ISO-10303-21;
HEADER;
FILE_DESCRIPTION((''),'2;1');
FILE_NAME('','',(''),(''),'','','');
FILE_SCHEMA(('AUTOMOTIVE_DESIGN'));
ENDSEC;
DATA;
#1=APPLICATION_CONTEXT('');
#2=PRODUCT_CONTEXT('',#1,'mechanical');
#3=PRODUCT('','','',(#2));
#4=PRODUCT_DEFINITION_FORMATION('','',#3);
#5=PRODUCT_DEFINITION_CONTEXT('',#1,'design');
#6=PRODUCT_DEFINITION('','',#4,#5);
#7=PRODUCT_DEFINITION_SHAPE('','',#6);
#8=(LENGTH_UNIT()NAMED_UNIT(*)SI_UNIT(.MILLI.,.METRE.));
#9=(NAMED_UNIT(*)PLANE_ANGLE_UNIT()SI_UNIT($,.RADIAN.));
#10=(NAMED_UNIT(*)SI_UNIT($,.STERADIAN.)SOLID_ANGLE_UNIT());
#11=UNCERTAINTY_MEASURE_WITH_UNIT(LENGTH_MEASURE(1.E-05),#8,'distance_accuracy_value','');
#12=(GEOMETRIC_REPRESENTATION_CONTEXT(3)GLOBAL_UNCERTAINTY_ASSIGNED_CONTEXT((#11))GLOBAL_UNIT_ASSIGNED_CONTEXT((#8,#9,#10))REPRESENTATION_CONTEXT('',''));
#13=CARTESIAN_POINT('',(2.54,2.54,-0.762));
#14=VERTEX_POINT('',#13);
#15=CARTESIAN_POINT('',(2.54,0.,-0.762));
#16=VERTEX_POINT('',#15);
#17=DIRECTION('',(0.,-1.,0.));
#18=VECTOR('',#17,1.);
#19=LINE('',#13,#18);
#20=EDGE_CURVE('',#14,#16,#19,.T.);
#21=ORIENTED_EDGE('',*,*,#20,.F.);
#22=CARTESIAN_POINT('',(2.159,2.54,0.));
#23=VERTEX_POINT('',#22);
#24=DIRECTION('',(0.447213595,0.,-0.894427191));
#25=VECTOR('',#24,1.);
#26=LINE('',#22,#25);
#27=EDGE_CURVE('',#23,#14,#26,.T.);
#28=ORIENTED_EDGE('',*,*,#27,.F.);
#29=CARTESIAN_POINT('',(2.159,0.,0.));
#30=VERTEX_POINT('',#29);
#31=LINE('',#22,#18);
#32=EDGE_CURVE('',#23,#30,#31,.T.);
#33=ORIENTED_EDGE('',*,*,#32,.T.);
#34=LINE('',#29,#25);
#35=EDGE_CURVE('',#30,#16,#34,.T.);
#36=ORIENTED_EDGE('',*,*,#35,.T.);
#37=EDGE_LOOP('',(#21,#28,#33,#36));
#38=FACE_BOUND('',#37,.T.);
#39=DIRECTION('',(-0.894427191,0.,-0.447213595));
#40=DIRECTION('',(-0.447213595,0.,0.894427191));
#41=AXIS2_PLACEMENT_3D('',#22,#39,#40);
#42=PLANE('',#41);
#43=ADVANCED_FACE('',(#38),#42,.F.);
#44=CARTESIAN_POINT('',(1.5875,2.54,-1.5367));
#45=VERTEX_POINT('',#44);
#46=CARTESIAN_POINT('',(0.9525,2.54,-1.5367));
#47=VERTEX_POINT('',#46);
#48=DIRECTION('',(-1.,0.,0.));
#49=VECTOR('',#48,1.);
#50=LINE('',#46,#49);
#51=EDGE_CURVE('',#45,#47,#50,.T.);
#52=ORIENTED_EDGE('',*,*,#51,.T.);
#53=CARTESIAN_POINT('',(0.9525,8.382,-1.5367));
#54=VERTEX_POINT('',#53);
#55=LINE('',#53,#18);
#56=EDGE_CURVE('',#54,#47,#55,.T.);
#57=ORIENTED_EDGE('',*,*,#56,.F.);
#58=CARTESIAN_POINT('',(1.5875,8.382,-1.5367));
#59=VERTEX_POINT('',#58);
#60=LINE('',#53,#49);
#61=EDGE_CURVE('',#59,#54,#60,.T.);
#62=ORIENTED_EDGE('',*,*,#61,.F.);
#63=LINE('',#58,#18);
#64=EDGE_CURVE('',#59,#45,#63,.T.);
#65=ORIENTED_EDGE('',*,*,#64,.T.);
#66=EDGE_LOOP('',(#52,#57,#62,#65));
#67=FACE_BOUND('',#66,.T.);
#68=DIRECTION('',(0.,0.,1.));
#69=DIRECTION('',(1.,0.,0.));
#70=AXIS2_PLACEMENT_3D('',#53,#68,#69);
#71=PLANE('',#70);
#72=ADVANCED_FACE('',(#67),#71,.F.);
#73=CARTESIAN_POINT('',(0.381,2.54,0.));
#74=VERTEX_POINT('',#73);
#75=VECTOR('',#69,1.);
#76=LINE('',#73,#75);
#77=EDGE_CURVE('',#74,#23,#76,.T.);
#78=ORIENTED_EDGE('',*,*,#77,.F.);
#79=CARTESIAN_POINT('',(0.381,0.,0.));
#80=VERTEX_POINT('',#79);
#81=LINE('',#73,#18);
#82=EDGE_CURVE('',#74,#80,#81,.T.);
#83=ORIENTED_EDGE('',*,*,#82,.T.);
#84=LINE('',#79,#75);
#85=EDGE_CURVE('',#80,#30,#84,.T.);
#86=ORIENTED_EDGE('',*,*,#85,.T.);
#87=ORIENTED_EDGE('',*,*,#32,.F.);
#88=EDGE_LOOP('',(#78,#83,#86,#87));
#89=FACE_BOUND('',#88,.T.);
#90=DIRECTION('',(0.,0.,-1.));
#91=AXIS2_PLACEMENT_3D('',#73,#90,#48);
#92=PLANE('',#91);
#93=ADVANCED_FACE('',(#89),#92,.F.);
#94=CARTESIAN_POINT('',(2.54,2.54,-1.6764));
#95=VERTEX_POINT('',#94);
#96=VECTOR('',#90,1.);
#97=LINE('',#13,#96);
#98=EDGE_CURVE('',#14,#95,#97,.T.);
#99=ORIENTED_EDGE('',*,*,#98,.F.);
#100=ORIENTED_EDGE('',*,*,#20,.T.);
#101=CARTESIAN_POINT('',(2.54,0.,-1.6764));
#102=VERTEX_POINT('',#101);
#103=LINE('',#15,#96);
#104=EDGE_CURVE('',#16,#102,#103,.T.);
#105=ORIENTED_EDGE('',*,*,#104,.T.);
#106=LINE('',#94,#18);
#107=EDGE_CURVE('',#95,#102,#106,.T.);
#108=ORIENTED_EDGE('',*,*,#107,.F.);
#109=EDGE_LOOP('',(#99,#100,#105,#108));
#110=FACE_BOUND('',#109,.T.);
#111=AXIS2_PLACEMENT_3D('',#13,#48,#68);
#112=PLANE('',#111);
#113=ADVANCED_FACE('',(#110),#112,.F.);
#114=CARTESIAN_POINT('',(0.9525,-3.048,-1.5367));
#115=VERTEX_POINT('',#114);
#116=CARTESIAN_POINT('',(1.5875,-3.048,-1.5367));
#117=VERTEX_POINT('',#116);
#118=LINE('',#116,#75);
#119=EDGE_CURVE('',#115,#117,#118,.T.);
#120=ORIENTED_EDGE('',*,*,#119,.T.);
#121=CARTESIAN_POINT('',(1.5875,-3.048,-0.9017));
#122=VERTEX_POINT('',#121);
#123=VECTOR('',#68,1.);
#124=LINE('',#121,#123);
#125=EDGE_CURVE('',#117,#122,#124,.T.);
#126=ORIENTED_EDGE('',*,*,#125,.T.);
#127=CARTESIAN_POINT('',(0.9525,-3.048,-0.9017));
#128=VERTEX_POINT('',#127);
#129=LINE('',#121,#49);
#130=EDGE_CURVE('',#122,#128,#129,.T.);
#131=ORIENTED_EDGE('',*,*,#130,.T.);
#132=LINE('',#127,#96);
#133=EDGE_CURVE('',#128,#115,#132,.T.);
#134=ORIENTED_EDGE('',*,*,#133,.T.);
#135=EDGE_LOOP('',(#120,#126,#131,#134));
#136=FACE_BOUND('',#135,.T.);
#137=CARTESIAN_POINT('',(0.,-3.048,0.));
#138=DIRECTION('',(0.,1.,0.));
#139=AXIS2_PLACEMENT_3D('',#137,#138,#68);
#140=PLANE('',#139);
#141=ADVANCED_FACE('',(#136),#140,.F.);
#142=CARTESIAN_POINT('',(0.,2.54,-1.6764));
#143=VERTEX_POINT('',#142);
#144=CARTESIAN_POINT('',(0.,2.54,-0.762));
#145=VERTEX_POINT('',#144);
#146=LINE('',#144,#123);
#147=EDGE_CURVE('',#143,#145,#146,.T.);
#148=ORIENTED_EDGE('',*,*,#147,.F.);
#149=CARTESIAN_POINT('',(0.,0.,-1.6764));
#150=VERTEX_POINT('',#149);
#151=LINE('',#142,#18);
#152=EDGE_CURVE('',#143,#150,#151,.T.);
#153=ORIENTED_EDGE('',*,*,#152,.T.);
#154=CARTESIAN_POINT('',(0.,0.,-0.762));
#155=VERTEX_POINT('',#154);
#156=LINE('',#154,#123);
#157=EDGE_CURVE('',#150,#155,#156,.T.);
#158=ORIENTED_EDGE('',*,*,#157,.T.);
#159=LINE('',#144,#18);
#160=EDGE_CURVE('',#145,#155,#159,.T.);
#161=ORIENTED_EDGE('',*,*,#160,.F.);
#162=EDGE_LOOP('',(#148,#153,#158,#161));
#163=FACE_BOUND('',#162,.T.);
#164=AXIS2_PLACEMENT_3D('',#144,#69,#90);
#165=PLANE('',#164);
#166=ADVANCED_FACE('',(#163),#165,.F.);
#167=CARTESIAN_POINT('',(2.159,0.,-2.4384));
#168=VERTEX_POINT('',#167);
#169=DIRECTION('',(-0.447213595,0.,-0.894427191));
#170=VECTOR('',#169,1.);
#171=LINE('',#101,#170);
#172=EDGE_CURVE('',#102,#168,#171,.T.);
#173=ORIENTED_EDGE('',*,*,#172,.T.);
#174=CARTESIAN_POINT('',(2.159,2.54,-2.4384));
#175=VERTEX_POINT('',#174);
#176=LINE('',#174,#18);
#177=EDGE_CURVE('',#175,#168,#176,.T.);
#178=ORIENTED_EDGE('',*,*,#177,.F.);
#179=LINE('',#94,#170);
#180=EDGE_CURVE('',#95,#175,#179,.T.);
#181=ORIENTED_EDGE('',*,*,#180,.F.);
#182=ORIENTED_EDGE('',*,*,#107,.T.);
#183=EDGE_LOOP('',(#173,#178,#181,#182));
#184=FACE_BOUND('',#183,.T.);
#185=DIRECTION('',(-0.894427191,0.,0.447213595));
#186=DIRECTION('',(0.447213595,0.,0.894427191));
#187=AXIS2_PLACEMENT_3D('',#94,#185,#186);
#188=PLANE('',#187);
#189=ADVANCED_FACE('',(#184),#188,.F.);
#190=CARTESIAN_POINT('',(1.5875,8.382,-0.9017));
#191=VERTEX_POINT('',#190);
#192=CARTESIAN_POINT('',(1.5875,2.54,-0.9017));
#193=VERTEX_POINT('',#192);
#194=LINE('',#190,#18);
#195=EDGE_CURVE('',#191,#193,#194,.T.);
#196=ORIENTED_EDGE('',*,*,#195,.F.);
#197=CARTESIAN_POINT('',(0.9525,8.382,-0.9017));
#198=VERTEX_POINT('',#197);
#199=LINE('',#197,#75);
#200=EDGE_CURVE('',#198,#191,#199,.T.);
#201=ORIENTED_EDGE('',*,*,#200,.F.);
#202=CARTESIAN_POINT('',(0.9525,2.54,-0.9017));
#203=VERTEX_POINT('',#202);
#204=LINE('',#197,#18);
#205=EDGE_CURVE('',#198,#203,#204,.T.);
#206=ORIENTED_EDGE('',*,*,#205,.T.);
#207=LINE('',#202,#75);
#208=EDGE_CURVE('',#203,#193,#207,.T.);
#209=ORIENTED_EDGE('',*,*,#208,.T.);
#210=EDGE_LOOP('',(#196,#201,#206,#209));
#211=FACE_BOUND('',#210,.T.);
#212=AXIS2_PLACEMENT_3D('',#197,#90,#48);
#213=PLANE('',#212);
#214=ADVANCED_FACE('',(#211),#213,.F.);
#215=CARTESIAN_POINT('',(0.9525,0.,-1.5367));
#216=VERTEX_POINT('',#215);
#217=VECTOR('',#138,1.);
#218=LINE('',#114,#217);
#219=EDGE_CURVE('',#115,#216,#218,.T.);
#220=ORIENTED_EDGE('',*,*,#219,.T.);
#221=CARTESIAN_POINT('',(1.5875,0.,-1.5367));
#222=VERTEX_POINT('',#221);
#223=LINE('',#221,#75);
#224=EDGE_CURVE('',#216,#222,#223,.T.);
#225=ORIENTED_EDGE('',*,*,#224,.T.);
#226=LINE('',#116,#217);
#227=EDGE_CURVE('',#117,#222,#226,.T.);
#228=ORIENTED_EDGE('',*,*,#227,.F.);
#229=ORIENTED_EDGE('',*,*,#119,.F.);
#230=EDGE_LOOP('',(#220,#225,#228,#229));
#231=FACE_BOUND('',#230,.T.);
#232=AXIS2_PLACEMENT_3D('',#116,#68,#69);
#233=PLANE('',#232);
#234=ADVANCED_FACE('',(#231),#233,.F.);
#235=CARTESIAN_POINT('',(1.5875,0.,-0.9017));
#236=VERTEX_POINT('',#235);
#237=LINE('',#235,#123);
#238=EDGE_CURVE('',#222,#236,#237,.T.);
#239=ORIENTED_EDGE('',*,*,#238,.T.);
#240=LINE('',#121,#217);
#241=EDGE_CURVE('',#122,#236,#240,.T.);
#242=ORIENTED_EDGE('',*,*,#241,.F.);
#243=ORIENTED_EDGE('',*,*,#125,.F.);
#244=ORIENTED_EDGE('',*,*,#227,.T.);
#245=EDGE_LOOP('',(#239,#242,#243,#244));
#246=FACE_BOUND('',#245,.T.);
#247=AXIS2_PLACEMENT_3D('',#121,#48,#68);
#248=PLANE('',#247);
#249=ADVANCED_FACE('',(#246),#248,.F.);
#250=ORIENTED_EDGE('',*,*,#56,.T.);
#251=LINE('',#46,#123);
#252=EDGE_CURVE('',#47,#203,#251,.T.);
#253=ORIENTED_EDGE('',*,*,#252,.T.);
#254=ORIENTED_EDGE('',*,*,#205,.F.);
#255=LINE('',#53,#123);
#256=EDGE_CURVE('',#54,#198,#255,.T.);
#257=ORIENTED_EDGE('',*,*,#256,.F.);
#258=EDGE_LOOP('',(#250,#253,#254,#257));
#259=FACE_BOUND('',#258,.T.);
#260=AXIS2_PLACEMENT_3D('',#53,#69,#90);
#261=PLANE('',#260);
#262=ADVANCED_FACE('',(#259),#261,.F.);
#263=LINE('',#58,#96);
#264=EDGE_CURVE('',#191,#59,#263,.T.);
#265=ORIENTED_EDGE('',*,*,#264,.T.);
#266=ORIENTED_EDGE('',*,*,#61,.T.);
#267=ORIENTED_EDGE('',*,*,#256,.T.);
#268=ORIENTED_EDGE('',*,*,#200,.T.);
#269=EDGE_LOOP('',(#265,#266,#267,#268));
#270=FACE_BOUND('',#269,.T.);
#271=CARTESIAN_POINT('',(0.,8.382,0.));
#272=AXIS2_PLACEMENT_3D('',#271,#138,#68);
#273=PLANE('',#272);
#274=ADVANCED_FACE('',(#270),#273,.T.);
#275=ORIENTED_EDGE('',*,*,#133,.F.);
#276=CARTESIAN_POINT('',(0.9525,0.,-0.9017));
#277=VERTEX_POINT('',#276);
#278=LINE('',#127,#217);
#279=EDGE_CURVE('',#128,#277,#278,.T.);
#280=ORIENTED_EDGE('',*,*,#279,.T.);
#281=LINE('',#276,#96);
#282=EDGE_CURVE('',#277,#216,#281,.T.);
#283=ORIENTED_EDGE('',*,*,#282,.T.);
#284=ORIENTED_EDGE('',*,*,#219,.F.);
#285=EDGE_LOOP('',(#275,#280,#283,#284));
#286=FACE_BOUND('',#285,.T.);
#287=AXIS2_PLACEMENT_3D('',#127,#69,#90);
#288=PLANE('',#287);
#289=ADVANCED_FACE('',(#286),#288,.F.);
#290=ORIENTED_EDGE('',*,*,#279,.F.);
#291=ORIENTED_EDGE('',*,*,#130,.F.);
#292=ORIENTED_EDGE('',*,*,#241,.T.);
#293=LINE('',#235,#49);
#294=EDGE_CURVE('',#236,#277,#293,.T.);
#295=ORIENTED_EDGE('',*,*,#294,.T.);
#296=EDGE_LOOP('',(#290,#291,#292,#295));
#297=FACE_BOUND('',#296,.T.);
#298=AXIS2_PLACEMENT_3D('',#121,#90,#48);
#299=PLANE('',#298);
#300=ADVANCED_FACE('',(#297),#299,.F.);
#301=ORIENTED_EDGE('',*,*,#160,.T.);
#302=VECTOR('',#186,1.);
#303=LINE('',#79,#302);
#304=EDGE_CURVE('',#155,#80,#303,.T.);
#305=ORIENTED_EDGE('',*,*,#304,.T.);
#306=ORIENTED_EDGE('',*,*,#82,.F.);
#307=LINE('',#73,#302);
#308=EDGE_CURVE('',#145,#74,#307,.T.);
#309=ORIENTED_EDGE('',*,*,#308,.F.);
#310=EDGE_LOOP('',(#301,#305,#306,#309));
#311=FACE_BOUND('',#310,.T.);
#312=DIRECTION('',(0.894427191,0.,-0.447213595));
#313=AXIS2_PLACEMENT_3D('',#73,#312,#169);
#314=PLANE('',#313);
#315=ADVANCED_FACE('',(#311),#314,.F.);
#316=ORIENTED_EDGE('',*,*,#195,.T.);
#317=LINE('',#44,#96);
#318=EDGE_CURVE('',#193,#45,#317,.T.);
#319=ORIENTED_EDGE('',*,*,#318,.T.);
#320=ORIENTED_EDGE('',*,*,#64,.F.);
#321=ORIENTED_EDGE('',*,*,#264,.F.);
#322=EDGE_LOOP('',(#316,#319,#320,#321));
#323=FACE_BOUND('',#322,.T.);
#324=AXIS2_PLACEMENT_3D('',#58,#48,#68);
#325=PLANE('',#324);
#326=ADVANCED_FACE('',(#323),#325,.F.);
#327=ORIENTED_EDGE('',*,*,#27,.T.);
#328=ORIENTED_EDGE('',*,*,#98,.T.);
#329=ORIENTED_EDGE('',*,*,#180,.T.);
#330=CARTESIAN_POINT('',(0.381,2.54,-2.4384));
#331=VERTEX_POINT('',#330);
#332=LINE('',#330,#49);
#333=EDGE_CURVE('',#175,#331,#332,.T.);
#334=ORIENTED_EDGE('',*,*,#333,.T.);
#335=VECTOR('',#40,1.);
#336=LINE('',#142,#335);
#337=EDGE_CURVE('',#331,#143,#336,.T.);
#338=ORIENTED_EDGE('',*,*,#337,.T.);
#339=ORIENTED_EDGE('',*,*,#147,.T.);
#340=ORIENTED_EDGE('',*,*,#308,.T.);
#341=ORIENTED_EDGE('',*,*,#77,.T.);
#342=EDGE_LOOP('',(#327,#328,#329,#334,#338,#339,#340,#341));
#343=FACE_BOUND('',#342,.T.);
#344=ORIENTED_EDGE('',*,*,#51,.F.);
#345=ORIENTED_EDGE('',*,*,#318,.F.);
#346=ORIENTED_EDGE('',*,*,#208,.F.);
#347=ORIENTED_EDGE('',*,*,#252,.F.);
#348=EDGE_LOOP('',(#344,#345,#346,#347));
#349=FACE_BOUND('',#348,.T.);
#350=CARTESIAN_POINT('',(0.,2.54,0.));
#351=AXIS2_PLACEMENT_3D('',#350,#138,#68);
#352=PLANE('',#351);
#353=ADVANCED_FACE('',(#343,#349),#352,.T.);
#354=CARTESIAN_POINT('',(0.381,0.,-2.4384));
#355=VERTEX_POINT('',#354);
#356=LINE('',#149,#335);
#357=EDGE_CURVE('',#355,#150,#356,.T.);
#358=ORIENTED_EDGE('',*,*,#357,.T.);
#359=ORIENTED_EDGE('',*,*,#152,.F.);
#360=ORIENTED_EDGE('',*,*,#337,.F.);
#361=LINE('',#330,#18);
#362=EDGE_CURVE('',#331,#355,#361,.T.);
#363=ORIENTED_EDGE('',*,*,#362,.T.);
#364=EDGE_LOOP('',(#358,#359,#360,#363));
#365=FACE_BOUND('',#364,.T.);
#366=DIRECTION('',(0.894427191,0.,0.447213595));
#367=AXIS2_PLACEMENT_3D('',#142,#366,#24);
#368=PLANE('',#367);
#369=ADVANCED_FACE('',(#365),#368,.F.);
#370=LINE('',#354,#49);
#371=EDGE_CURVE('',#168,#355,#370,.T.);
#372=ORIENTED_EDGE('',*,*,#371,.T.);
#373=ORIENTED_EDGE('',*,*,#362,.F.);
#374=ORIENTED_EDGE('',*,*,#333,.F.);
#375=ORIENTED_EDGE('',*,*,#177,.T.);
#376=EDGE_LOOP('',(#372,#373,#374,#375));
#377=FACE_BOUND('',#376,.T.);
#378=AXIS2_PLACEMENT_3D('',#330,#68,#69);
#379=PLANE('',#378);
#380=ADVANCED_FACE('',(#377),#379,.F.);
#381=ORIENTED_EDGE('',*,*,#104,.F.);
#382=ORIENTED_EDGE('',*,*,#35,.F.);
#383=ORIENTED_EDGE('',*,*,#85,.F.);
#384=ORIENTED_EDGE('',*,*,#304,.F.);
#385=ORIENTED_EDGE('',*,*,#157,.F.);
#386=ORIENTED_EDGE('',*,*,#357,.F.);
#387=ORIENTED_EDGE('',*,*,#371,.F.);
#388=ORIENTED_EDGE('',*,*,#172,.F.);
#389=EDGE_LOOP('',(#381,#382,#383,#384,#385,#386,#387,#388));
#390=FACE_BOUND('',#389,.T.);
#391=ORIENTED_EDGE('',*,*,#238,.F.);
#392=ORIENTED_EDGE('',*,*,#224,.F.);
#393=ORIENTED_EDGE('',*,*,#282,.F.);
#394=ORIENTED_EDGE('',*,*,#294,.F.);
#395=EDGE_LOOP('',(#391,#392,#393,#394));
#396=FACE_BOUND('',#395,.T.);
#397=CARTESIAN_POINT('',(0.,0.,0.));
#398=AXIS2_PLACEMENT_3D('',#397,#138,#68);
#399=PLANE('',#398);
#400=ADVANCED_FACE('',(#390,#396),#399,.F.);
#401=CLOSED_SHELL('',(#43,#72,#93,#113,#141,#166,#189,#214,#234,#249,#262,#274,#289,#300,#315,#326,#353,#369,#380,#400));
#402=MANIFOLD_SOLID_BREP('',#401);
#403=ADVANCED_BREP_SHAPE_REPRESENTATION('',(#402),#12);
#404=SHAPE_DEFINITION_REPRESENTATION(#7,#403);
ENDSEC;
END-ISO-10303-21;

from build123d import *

# Parameters (mm, degrees)
BOSS_EXTRUDE1_DEPTH = 2.54
SKETCH2_W           = 0.635
SKETCH2_H           = 0.635
BOSS_EXTRUDE2_DEPTH = 5.842
SKETCH5_W           = 0.635
SKETCH5_H           = 0.635
BOSS_EXTRUDE3_DEPTH = 3.048


with BuildPart() as part:
    # Sketch1 → Boss-Extrude1 (new body)
    with BuildSketch(Plane(origin=(0, 0, 0), x_dir=(1, 0, 0), z_dir=(0, 1, 0))):
        Polygon((0.381, 0), (0, 0.762), (0, 1.6764), (0.381, 2.4384), (2.159, 2.4384), (2.54, 1.6764), (2.54, 0.762), (2.159, 0), align=None)
    extrude(amount=BOSS_EXTRUDE1_DEPTH)

    # Sketch2 → Boss-Extrude2 (add)
    with BuildSketch(Plane(origin=(0, 2.54, 0), x_dir=(1, 0, 0), z_dir=(0, 1, 0))):
        with Locations((1.27, 1.2192)):
            Rectangle(SKETCH2_W, SKETCH2_H)
    extrude(amount=BOSS_EXTRUDE2_DEPTH)

    # Sketch5 → Boss-Extrude3 (add)
    with BuildSketch(Plane.XZ):
        with Locations((1.27, -1.2192)):
            Rectangle(SKETCH5_W, SKETCH5_H)
    extrude(amount=BOSS_EXTRUDE3_DEPTH)


solid = part.part
